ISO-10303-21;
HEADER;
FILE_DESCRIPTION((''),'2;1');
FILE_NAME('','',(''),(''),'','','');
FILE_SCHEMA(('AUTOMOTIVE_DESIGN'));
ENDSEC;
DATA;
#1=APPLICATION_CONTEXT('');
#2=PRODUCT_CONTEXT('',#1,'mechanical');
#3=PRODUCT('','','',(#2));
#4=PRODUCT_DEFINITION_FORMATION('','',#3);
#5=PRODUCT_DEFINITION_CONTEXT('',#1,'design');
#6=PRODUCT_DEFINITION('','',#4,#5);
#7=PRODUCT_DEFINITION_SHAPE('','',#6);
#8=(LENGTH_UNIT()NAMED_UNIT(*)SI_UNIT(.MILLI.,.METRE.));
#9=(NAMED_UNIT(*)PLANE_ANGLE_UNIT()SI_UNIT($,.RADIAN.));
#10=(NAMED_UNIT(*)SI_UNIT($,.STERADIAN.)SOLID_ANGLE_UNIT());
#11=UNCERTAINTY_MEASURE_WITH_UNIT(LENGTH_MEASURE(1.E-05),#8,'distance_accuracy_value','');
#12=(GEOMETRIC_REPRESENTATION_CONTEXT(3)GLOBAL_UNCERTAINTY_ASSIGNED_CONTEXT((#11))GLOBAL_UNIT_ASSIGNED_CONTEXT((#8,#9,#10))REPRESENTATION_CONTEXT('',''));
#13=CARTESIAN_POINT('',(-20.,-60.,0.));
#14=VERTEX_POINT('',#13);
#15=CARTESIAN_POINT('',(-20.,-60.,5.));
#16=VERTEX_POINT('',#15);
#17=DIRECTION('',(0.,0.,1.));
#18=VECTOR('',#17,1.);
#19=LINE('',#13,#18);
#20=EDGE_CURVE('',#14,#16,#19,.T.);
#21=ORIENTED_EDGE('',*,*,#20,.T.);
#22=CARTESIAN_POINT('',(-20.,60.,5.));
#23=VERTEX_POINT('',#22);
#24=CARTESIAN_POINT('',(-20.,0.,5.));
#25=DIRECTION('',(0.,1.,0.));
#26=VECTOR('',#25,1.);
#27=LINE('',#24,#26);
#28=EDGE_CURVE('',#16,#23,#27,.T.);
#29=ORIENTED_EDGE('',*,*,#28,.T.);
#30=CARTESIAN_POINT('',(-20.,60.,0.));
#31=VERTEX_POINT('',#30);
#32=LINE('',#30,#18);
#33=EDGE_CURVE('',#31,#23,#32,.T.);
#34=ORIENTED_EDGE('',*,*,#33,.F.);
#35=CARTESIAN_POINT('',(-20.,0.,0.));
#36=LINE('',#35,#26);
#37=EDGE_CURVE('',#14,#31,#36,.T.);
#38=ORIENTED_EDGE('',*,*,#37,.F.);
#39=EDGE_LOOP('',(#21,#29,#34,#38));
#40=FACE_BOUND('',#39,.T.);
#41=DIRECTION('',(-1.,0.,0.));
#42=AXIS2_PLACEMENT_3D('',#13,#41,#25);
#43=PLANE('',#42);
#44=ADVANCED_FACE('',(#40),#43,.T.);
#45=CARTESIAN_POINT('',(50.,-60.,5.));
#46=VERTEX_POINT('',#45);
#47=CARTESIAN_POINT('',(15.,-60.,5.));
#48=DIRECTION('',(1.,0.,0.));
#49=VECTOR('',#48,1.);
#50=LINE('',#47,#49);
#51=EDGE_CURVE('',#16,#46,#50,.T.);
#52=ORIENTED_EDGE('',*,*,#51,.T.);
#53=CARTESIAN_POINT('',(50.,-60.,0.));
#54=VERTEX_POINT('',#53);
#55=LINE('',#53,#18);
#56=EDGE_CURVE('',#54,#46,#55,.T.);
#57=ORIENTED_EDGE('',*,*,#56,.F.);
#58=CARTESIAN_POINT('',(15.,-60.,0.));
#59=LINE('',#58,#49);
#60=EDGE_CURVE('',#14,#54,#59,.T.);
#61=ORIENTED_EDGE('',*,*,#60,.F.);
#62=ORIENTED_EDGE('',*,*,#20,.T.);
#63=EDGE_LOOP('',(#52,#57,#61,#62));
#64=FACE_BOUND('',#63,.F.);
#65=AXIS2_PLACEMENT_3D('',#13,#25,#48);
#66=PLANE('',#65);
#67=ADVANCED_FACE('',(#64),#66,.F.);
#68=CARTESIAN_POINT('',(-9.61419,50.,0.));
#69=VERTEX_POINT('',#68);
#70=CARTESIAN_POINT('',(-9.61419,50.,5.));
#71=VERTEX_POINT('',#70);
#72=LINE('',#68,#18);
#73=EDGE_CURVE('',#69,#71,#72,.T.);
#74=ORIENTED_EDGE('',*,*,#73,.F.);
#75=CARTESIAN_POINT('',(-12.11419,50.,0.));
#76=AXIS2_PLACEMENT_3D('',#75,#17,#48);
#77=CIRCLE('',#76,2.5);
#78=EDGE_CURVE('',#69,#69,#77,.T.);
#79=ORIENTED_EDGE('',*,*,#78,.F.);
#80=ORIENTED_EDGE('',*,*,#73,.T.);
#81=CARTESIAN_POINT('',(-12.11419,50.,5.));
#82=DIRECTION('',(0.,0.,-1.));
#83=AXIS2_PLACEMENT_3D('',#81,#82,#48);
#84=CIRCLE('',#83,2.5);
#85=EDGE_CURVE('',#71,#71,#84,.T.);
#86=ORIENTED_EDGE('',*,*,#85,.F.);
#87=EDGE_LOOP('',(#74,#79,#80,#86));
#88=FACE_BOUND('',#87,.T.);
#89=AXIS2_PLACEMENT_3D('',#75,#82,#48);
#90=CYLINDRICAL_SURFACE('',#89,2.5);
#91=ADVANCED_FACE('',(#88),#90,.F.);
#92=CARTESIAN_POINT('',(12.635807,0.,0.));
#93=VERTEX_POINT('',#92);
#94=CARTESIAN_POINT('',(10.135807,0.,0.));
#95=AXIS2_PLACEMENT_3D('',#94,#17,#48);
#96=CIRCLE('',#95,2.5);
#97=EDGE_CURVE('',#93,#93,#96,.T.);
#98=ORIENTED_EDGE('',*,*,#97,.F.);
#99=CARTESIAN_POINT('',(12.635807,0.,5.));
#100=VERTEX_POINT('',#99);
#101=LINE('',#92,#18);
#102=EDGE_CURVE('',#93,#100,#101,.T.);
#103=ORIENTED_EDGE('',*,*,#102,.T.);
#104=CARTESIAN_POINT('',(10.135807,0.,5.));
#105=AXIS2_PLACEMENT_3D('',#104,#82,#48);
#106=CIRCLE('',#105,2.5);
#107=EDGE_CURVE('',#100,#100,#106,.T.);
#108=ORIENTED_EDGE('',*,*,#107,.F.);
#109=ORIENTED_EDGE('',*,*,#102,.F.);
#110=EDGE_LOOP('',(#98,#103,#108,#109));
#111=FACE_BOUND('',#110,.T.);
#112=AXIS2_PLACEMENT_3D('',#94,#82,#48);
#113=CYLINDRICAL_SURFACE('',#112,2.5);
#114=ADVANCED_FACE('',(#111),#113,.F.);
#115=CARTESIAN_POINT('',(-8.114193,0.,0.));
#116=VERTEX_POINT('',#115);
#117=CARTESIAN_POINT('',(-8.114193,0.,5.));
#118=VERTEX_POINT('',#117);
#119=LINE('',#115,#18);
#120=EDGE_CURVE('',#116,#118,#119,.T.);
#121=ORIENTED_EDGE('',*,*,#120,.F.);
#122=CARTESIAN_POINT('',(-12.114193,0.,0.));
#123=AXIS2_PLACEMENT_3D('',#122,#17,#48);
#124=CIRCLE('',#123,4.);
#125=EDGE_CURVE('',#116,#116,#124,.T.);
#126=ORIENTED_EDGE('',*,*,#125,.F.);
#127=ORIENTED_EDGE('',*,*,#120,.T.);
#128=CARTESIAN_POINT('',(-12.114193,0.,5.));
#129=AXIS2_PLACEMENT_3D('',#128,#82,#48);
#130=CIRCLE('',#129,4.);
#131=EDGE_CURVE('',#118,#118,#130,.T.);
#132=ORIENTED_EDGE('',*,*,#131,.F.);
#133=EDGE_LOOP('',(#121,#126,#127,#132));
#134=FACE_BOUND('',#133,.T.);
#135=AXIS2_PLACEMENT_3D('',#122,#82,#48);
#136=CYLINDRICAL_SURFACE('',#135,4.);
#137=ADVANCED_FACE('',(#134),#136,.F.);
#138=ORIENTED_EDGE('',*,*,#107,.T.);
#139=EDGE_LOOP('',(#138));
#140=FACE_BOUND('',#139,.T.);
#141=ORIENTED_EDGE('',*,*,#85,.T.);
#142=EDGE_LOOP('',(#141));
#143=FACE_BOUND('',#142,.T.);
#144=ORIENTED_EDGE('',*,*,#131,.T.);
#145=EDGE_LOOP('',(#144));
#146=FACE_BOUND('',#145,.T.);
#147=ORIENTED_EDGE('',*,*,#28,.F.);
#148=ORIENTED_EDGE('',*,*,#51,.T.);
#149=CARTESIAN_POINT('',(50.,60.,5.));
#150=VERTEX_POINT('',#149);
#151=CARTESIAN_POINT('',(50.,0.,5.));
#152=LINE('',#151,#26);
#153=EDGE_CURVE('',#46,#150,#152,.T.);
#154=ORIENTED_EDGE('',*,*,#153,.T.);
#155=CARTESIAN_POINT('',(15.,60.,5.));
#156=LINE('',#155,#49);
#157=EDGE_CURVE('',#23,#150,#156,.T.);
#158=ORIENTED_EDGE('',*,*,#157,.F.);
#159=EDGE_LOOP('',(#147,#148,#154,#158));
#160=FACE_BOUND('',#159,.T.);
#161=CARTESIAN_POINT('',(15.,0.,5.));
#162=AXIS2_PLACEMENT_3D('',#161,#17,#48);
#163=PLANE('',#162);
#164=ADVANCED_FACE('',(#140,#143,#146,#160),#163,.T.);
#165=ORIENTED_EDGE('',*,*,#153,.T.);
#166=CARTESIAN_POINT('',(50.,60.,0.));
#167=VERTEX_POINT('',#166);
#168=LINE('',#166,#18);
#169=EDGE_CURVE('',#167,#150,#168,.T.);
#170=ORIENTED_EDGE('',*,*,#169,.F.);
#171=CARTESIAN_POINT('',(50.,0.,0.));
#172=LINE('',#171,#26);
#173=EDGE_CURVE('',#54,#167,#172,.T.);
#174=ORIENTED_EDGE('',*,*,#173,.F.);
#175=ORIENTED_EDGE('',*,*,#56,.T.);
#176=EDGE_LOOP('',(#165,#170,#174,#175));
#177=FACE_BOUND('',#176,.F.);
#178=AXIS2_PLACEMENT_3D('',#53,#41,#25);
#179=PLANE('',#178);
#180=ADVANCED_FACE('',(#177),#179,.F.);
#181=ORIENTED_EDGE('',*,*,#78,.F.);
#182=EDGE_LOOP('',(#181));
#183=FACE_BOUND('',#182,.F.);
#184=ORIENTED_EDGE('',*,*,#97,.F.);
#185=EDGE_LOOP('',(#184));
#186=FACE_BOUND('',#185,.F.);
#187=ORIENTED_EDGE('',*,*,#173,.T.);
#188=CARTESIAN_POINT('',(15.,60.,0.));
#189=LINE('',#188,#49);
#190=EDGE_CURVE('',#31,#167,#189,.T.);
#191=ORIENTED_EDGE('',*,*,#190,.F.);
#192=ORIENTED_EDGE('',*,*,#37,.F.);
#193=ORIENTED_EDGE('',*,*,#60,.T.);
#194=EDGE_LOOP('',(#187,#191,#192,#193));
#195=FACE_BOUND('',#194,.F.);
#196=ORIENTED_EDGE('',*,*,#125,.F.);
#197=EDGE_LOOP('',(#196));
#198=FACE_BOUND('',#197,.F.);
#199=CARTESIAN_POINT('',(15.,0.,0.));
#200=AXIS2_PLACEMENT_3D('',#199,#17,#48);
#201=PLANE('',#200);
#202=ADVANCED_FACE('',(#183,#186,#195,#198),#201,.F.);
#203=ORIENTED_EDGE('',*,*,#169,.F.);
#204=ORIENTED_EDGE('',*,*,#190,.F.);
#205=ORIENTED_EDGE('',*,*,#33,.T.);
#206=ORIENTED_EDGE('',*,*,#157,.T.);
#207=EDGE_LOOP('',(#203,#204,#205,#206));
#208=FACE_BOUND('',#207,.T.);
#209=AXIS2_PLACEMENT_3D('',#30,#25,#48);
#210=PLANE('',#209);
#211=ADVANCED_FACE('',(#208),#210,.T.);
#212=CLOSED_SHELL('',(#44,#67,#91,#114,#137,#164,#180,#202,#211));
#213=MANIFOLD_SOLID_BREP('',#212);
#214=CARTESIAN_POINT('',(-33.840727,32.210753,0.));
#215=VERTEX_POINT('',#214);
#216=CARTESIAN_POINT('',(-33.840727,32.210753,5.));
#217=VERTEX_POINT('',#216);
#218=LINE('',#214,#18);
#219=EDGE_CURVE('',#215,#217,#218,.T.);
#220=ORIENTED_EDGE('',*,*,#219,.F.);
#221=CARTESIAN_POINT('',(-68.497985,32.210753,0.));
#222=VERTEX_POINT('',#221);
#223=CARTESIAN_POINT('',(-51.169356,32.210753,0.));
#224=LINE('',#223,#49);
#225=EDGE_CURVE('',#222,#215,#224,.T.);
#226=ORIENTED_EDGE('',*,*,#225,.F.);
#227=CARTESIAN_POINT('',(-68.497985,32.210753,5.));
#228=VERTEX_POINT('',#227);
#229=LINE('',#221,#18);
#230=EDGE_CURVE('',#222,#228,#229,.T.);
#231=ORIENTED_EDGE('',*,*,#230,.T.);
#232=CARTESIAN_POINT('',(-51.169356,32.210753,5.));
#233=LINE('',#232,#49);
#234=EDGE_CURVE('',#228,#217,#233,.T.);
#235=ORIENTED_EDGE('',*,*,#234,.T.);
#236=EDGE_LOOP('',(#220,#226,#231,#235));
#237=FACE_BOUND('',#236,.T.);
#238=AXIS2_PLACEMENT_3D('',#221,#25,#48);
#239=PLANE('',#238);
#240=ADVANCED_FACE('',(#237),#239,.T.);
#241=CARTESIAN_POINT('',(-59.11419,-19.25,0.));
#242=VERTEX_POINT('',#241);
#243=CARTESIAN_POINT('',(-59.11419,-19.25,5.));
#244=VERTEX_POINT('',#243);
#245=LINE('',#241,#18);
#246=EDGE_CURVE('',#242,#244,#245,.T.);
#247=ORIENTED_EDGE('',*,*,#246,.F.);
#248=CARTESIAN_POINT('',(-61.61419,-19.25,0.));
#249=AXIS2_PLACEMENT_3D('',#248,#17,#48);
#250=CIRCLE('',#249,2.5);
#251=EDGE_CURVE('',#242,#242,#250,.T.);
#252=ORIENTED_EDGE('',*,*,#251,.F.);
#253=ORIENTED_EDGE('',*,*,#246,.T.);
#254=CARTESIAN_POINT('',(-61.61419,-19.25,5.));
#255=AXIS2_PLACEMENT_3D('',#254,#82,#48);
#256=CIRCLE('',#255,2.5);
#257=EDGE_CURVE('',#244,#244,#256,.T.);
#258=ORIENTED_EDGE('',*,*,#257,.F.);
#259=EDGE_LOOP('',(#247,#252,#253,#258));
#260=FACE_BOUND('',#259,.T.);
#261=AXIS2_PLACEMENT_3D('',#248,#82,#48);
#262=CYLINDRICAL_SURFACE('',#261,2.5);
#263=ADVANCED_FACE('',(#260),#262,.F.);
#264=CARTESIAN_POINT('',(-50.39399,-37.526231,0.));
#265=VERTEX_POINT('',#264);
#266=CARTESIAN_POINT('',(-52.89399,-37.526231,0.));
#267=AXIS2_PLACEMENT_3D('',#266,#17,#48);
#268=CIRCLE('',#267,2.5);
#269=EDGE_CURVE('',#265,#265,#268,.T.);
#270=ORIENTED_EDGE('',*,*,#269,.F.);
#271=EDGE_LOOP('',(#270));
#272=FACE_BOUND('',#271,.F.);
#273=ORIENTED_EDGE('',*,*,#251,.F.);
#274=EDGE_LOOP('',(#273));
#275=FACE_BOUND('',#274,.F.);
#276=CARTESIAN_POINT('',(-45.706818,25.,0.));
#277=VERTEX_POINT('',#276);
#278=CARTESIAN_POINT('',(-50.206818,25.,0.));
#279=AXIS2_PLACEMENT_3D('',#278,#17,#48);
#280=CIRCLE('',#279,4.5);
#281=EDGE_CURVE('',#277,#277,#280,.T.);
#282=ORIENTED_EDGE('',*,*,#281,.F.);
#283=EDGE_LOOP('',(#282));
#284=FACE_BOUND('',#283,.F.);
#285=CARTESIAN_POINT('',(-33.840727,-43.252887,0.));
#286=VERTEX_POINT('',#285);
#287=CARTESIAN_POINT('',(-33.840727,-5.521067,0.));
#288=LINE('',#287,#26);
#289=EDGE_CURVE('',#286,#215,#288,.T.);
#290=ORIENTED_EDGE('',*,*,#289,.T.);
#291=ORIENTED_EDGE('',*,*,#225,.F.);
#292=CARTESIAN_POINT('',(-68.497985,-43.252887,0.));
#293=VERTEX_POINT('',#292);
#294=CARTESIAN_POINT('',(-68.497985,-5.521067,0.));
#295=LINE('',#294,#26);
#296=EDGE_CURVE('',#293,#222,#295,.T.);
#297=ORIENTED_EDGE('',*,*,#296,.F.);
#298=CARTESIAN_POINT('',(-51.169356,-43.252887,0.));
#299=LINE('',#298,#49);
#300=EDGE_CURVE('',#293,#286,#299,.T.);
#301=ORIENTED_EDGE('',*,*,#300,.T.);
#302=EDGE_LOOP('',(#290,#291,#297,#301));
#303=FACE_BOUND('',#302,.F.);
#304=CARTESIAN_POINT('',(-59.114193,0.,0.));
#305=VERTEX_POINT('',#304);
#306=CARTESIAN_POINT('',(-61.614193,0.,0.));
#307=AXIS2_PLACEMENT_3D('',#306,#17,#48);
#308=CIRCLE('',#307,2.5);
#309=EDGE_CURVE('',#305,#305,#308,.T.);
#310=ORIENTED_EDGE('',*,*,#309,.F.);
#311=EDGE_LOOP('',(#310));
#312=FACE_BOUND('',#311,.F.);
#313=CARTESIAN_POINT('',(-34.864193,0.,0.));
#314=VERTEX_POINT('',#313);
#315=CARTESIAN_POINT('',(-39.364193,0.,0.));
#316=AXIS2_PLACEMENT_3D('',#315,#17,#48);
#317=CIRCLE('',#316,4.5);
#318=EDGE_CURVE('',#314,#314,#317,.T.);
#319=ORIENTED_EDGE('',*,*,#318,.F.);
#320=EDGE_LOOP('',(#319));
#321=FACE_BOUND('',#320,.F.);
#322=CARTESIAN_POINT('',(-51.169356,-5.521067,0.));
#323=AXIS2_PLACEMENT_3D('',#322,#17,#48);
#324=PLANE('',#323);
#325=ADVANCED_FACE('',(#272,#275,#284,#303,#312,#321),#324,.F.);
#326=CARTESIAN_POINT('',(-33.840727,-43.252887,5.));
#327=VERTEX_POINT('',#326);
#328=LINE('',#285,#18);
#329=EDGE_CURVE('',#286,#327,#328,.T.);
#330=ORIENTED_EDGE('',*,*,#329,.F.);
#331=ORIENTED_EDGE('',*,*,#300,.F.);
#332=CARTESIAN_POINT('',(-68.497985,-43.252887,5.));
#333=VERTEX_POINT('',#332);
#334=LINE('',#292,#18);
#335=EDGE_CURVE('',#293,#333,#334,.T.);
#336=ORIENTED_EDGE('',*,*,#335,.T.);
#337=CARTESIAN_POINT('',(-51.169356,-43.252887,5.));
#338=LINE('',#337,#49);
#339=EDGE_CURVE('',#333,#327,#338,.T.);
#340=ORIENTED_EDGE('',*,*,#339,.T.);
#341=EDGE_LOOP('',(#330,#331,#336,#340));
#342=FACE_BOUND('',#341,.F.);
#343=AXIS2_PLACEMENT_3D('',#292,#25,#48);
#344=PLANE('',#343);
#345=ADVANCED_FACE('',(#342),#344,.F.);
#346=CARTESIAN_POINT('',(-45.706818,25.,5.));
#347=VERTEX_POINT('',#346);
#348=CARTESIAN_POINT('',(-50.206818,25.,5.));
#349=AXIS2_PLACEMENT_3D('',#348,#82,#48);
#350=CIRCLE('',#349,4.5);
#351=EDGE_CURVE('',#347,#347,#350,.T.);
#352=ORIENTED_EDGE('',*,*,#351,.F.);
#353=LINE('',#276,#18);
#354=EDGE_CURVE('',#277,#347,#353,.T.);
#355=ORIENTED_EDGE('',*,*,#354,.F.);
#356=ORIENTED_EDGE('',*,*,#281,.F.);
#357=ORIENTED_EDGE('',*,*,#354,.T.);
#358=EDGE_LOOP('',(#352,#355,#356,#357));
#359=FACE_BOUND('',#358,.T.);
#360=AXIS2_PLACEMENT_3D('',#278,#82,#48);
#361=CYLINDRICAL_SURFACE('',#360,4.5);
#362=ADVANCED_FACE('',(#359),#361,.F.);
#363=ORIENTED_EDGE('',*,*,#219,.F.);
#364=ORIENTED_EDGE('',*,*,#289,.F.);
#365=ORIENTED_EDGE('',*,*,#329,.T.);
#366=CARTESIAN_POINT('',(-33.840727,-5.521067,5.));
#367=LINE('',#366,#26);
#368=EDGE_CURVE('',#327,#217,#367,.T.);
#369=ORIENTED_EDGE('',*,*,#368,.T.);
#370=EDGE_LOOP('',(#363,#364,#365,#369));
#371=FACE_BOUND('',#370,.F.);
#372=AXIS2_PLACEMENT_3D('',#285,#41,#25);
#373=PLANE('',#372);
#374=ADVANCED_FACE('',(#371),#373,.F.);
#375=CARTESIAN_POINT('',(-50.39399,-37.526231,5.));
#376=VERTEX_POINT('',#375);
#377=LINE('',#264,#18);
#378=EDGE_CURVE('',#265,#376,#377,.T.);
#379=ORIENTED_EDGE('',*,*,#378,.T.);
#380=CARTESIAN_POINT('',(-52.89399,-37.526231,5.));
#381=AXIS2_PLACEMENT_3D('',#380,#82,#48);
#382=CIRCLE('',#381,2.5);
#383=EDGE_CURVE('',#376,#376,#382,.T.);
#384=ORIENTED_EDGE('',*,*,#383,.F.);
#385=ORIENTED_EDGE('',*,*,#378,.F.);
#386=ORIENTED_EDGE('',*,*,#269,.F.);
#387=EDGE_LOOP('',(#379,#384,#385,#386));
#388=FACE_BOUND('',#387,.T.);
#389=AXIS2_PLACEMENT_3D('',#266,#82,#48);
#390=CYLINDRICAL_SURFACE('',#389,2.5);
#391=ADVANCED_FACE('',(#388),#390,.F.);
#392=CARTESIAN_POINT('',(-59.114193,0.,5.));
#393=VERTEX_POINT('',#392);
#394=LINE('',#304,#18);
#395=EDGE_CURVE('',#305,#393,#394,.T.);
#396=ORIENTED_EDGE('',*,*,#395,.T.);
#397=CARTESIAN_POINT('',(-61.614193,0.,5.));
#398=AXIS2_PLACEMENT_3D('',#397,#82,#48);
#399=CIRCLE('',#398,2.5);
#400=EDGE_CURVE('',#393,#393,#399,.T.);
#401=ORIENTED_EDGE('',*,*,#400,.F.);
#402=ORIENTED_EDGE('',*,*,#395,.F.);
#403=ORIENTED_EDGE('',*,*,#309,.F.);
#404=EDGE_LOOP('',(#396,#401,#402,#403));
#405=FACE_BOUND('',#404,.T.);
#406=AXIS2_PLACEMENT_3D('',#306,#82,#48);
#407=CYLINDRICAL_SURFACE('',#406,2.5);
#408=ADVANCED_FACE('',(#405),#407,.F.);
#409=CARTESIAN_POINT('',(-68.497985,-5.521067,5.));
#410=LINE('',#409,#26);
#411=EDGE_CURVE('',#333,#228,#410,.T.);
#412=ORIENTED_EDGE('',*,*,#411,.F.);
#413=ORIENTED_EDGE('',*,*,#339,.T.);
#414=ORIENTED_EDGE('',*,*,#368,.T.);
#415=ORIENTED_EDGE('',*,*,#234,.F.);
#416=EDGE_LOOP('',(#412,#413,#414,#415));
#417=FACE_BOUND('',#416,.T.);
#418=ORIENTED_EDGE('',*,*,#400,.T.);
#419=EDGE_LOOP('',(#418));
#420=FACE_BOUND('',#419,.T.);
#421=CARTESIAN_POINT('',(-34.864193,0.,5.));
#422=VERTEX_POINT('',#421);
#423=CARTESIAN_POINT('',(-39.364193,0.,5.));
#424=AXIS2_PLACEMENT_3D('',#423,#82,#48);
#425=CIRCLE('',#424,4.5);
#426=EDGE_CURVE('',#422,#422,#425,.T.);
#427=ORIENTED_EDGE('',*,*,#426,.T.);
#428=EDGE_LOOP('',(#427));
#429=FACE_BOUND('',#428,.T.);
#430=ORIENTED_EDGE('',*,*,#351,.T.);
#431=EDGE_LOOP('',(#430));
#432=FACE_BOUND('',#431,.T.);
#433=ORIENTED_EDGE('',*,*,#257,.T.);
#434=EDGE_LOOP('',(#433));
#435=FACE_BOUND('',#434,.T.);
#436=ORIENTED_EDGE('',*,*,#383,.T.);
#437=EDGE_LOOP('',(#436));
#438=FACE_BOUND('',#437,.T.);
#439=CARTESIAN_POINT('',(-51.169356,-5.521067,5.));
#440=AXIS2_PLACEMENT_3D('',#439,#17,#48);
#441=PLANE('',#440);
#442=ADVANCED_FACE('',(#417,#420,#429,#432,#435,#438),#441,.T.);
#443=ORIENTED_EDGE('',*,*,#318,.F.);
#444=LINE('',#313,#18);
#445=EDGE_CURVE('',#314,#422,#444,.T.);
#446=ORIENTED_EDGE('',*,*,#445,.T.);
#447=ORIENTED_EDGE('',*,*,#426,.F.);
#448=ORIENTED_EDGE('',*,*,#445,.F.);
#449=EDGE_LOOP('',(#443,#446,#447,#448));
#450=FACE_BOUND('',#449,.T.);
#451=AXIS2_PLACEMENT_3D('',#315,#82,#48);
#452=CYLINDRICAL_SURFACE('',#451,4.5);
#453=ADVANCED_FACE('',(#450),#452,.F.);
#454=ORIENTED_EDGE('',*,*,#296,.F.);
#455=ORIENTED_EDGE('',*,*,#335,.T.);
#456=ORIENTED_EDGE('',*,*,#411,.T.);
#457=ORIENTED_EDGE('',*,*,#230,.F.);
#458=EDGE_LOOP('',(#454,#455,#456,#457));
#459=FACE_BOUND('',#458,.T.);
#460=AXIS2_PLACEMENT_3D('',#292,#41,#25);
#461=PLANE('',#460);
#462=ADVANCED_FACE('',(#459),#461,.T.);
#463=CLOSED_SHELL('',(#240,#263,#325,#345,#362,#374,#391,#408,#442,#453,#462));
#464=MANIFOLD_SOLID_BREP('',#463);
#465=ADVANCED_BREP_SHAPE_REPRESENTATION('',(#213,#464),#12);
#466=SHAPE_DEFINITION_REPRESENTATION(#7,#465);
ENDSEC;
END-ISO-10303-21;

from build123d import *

# Parameters (mm, degrees)
F3_W      = 34.657259
F3_H      = 75.46364
F9_DEPTH  = 5
F6_R      = 2.5
F10_DEPTH = 25
F7_R      = 2.5
F11_DEPTH = 25
F4_R      = 4.5
F12_DEPTH = 25
F0_W      = 70
F0_H      = 120
F13_DEPTH = 5
F1_R      = 4
F14_DEPTH = 25
F5_R      = 2.5
F15_DEPTH = 25
F2_R      = 2.5
F16_DEPTH = 25
F17_DEPTH = 25
F8_R      = 4.5
F18_DEPTH = 25
F19_R     = 2.5
F20_DEPTH = 25


with BuildPart() as f9:
    # F3 (on Top) → F9 (new body)
    with BuildSketch(Plane.XY):
        with Locations((-51.169356, -5.521067)):
            Rectangle(F3_W, F3_H)
    extrude(amount=F9_DEPTH)

    # F6 (on face) → F10 (cut)
    with BuildSketch(Plane.XY):
        with Locations((-61.614193, 0)):
            Circle(F6_R)
    extrude(amount=F10_DEPTH, mode=Mode.SUBTRACT)

    # F7 (on Top) → F11 (cut)
    with BuildSketch(Plane.XY):
        with Locations((-61.61419, -19.25)):
            Circle(F7_R)
    extrude(amount=-F11_DEPTH, mode=Mode.SUBTRACT)

    # F4 (on face) → F12 (cut)
    with BuildSketch(Plane.XY):
        with Locations((-39.364193, 0)):
            Circle(F4_R)
    extrude(amount=F12_DEPTH, mode=Mode.SUBTRACT)

    # F7 (on Top) → F17 (cut)
    with BuildSketch(Plane.XY):
        with Locations((-61.61419, -19.25)):
            Circle(F7_R)
    extrude(amount=F17_DEPTH, mode=Mode.SUBTRACT)

    # F8 (on Top) → F18 (cut)
    with BuildSketch(Plane.XY):
        with Locations((-50.206818, 25)):
            Circle(F8_R)
    extrude(amount=F18_DEPTH, mode=Mode.SUBTRACT)

    # F19 (on Top) → F20 (cut)
    with BuildSketch(Plane.XY):
        with Locations((-52.89399, -37.526231)):
            Circle(F19_R)
    extrude(amount=F20_DEPTH, mode=Mode.SUBTRACT)


with BuildPart() as f13:
    # F0 (on Top) → F13 (new body)
    with BuildSketch(Plane.XY):
        with Locations((15, 0)):
            Rectangle(F0_W, F0_H)
    extrude(amount=F13_DEPTH)

    # F1 (on face) → F14 (cut)
    with BuildSketch(Plane.XY):
        with Locations((-12.114193, 0)):
            Circle(F1_R)
    extrude(amount=F14_DEPTH, mode=Mode.SUBTRACT)

    # F5 (on face) → F15 (cut)
    with BuildSketch(Plane.XY):
        with Locations((-12.11419, 50)):
            Circle(F5_R)
    extrude(amount=F15_DEPTH, mode=Mode.SUBTRACT)

    # F2 (on face) → F16 (cut)
    with BuildSketch(Plane.XY):
        with Locations((10.135807, 0)):
            Circle(F2_R)
    extrude(amount=F16_DEPTH, mode=Mode.SUBTRACT)


solid = Compound([f9.part, f13.part])
